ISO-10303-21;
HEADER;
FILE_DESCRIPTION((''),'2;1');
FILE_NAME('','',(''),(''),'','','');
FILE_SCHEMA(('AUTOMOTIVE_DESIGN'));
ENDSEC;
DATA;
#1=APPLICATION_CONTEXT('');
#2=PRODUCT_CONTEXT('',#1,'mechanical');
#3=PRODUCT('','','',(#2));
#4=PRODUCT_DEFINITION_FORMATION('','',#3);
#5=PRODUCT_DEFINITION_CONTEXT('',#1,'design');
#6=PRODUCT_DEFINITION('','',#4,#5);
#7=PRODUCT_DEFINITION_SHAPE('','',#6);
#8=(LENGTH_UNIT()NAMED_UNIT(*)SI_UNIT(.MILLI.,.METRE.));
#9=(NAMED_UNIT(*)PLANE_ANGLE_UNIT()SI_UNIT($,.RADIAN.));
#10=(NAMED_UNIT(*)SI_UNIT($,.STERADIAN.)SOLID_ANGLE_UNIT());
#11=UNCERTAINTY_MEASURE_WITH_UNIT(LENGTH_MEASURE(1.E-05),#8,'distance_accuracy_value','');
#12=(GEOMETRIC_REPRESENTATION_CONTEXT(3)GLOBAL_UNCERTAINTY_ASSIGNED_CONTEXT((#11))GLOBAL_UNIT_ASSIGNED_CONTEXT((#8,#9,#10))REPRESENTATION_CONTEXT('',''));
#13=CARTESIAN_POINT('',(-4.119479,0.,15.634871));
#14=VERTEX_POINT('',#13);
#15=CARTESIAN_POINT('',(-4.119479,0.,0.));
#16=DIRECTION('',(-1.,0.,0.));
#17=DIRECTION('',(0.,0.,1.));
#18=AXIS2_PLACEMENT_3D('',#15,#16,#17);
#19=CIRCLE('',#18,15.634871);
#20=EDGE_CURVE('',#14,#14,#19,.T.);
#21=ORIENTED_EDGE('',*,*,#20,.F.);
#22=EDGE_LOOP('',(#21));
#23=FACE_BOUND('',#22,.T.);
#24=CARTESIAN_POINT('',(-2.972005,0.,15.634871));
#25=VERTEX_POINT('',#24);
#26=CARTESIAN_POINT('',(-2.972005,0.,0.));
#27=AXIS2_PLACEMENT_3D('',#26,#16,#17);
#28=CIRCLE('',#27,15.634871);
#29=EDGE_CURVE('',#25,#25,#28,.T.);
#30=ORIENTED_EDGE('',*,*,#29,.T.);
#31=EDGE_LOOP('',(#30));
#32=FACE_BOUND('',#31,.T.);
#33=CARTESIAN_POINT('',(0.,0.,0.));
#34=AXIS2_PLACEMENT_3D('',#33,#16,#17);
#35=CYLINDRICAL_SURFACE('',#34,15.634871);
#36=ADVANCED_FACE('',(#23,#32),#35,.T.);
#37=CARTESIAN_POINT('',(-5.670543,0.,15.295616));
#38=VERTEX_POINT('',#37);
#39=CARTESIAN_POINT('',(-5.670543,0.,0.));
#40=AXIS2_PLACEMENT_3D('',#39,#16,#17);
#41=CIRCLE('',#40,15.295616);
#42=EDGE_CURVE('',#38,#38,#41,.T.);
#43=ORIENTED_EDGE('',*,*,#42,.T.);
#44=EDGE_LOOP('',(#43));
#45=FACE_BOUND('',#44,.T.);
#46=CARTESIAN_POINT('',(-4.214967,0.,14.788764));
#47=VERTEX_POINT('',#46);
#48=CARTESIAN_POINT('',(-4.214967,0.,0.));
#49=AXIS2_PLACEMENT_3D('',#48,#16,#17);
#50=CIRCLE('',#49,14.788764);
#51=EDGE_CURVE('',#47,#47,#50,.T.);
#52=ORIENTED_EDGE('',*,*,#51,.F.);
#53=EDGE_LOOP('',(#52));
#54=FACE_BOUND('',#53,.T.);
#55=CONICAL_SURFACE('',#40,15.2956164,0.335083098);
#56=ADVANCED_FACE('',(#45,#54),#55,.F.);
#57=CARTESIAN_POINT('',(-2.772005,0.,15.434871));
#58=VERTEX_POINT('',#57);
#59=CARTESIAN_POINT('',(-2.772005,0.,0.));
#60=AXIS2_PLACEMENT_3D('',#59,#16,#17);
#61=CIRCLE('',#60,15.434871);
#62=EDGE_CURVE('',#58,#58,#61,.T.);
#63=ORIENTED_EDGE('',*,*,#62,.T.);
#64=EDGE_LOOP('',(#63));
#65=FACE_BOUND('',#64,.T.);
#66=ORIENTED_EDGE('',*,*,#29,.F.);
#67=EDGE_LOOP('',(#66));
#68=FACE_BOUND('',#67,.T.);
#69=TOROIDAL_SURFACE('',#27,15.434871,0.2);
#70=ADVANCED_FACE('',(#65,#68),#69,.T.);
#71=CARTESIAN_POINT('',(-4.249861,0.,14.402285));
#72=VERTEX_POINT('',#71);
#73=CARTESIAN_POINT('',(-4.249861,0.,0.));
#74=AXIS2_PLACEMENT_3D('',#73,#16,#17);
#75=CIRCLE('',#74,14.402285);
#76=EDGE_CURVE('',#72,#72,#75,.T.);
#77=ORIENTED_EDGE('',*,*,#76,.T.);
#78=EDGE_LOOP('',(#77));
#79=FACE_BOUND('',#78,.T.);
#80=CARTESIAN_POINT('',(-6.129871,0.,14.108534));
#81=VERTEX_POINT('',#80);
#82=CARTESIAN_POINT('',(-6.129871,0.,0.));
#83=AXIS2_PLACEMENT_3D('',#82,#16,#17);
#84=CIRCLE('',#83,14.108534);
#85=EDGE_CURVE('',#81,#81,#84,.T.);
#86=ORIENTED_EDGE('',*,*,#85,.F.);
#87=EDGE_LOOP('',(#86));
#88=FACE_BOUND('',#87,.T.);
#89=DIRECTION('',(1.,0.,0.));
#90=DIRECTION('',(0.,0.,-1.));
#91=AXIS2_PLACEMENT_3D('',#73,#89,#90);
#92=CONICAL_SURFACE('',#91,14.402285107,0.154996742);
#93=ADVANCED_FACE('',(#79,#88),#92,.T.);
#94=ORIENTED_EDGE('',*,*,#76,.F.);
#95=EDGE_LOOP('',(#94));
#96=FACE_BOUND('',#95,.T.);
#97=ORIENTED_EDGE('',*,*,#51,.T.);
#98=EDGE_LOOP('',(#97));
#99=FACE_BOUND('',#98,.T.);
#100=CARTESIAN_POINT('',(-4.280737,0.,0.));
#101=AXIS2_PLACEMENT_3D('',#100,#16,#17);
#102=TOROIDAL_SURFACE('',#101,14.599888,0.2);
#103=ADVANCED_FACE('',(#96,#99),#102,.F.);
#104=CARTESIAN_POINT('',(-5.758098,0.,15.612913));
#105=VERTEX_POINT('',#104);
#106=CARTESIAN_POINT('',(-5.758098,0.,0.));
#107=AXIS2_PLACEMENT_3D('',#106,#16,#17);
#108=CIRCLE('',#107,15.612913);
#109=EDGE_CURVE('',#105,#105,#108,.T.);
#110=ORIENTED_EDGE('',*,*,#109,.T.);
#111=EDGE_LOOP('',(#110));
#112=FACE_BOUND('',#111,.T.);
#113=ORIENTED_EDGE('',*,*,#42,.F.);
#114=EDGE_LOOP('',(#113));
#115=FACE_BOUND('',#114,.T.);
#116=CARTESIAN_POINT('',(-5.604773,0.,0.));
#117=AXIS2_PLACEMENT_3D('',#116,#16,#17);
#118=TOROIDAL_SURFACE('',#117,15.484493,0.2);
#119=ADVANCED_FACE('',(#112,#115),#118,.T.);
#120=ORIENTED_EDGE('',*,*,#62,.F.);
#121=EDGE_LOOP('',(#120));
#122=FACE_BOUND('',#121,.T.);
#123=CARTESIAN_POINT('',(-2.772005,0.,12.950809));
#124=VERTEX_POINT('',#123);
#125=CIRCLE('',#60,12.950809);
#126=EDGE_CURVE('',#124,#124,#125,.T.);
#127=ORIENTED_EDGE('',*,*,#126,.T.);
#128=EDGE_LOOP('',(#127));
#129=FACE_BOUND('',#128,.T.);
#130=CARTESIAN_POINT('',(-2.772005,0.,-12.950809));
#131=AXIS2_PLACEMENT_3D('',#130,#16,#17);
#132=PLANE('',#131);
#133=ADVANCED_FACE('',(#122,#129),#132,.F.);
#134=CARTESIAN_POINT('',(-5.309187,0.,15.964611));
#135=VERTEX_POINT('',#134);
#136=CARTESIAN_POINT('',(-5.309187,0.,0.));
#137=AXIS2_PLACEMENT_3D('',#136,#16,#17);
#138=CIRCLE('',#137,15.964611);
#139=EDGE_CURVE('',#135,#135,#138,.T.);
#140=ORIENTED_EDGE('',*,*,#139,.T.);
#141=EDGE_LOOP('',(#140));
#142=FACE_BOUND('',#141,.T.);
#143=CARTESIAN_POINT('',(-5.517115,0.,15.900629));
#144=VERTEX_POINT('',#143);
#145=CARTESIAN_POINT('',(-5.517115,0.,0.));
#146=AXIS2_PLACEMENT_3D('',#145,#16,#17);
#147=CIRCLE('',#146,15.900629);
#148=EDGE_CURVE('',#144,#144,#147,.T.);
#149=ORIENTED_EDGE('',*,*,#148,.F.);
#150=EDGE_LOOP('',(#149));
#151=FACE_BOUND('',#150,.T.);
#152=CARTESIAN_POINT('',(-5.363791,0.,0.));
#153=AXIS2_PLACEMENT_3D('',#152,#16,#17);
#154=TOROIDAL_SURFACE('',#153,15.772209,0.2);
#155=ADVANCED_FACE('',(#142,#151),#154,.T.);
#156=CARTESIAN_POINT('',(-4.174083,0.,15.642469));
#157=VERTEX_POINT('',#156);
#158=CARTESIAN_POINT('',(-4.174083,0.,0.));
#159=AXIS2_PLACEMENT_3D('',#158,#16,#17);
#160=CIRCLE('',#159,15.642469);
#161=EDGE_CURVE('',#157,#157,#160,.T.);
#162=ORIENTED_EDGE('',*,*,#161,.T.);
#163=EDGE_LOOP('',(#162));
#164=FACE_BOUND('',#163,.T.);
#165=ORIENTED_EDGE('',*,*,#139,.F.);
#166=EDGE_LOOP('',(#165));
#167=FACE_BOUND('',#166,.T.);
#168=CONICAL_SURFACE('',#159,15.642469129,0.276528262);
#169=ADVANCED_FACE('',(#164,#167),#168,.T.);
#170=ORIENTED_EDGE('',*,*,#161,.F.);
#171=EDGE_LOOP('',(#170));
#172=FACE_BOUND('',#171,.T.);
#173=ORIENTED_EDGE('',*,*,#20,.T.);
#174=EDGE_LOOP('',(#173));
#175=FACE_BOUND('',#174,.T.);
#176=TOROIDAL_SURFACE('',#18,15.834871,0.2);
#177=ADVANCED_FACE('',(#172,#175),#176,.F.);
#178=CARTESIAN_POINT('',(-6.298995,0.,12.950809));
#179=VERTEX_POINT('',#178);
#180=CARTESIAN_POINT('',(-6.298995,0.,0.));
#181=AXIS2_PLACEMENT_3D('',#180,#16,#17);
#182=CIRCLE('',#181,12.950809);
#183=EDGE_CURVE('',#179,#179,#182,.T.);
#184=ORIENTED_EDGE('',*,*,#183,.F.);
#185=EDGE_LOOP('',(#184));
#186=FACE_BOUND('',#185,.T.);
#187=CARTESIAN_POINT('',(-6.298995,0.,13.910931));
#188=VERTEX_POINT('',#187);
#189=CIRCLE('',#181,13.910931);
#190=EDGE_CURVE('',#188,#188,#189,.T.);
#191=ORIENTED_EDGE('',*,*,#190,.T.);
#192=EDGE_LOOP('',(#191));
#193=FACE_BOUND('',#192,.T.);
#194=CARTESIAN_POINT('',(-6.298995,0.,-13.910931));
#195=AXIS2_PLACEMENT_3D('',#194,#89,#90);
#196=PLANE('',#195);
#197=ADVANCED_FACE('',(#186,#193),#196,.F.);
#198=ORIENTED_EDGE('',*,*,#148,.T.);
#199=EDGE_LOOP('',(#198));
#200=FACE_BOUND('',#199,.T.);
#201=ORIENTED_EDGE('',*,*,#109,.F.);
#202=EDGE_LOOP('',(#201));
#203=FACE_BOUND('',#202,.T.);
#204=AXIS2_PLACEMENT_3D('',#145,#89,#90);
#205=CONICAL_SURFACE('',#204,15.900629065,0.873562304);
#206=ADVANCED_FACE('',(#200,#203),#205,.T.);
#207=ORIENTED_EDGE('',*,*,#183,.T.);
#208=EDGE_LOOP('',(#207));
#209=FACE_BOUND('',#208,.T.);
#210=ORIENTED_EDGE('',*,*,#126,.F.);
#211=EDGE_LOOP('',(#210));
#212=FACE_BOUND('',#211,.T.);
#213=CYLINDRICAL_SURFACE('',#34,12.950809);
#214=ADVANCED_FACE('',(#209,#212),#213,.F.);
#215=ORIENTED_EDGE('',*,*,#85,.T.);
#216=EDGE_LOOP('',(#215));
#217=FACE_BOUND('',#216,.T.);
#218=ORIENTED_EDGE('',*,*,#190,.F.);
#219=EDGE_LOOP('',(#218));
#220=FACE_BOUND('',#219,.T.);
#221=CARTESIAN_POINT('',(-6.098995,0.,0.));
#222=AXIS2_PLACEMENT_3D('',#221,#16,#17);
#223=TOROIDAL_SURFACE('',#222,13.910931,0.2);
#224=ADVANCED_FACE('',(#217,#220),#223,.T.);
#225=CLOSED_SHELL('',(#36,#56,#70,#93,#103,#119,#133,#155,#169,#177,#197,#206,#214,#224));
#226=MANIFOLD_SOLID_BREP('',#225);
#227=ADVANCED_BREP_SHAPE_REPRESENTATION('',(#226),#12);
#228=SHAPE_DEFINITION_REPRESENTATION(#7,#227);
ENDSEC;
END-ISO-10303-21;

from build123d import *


with BuildPart() as part:
    # Croquis1 → Revolución1 (revolve)
    with BuildSketch(Plane(origin=(0, 0, 0), x_dir=(1, 0, 0), z_dir=(0, 1, 0)), mode=Mode.PRIVATE) as revoluci_n1_sk:
        with BuildLine():
            Line((-6.298995486, 12.950809067), (-2.772005084, 12.950809067))
            Line((-2.772005084, 12.950809067), (-2.772005084, 15.434870945))
            ThreePointArc((-2.772005084, 15.434870945), (-2.830583728, 15.576292301), (-2.972005084, 15.634870945))
            Line((-2.972005084, 15.634870945), (-4.119479121, 15.634870945))
            ThreePointArc((-4.119479121, 15.634870945), (-4.147043925, 15.636779598), (-4.174082612, 15.642469129))
            Line((-4.174082612, 15.642469129), (-5.309187131, 15.964610942))
            ThreePointArc((-5.309187131, 15.964610942), (-5.42261125, 15.963363864), (-5.517114853, 15.900629065))
            Line((-5.517114853, 15.900629065), (-5.758097556, 15.612912936))
            ThreePointArc((-5.758097556, 15.612912936), (-5.797568014, 15.431293296), (-5.670542855, 15.2956164))
            Line((-5.670542855, 15.2956164), (-4.214967049, 14.788764111))
            ThreePointArc((-4.214967049, 14.788764111), (-4.081546808, 14.581903203), (-4.249861202, 14.402285107))
            Line((-4.249861202, 14.402285107), (-6.129870862, 14.108533597))
            ThreePointArc((-6.129870862, 14.108533597), (-6.250941324, 14.040979114), (-6.298995486, 13.910931191))
            Line((-6.298995486, 13.910931191), (-6.298995486, 12.950809067))
        make_face()
    revolve(revoluci_n1_sk.sketch.rotate(Axis((0, 0, 0), (1, 0, 0)), 180), axis=Axis((0, 0, 0), (1, 0, 0)))


solid = part.part
